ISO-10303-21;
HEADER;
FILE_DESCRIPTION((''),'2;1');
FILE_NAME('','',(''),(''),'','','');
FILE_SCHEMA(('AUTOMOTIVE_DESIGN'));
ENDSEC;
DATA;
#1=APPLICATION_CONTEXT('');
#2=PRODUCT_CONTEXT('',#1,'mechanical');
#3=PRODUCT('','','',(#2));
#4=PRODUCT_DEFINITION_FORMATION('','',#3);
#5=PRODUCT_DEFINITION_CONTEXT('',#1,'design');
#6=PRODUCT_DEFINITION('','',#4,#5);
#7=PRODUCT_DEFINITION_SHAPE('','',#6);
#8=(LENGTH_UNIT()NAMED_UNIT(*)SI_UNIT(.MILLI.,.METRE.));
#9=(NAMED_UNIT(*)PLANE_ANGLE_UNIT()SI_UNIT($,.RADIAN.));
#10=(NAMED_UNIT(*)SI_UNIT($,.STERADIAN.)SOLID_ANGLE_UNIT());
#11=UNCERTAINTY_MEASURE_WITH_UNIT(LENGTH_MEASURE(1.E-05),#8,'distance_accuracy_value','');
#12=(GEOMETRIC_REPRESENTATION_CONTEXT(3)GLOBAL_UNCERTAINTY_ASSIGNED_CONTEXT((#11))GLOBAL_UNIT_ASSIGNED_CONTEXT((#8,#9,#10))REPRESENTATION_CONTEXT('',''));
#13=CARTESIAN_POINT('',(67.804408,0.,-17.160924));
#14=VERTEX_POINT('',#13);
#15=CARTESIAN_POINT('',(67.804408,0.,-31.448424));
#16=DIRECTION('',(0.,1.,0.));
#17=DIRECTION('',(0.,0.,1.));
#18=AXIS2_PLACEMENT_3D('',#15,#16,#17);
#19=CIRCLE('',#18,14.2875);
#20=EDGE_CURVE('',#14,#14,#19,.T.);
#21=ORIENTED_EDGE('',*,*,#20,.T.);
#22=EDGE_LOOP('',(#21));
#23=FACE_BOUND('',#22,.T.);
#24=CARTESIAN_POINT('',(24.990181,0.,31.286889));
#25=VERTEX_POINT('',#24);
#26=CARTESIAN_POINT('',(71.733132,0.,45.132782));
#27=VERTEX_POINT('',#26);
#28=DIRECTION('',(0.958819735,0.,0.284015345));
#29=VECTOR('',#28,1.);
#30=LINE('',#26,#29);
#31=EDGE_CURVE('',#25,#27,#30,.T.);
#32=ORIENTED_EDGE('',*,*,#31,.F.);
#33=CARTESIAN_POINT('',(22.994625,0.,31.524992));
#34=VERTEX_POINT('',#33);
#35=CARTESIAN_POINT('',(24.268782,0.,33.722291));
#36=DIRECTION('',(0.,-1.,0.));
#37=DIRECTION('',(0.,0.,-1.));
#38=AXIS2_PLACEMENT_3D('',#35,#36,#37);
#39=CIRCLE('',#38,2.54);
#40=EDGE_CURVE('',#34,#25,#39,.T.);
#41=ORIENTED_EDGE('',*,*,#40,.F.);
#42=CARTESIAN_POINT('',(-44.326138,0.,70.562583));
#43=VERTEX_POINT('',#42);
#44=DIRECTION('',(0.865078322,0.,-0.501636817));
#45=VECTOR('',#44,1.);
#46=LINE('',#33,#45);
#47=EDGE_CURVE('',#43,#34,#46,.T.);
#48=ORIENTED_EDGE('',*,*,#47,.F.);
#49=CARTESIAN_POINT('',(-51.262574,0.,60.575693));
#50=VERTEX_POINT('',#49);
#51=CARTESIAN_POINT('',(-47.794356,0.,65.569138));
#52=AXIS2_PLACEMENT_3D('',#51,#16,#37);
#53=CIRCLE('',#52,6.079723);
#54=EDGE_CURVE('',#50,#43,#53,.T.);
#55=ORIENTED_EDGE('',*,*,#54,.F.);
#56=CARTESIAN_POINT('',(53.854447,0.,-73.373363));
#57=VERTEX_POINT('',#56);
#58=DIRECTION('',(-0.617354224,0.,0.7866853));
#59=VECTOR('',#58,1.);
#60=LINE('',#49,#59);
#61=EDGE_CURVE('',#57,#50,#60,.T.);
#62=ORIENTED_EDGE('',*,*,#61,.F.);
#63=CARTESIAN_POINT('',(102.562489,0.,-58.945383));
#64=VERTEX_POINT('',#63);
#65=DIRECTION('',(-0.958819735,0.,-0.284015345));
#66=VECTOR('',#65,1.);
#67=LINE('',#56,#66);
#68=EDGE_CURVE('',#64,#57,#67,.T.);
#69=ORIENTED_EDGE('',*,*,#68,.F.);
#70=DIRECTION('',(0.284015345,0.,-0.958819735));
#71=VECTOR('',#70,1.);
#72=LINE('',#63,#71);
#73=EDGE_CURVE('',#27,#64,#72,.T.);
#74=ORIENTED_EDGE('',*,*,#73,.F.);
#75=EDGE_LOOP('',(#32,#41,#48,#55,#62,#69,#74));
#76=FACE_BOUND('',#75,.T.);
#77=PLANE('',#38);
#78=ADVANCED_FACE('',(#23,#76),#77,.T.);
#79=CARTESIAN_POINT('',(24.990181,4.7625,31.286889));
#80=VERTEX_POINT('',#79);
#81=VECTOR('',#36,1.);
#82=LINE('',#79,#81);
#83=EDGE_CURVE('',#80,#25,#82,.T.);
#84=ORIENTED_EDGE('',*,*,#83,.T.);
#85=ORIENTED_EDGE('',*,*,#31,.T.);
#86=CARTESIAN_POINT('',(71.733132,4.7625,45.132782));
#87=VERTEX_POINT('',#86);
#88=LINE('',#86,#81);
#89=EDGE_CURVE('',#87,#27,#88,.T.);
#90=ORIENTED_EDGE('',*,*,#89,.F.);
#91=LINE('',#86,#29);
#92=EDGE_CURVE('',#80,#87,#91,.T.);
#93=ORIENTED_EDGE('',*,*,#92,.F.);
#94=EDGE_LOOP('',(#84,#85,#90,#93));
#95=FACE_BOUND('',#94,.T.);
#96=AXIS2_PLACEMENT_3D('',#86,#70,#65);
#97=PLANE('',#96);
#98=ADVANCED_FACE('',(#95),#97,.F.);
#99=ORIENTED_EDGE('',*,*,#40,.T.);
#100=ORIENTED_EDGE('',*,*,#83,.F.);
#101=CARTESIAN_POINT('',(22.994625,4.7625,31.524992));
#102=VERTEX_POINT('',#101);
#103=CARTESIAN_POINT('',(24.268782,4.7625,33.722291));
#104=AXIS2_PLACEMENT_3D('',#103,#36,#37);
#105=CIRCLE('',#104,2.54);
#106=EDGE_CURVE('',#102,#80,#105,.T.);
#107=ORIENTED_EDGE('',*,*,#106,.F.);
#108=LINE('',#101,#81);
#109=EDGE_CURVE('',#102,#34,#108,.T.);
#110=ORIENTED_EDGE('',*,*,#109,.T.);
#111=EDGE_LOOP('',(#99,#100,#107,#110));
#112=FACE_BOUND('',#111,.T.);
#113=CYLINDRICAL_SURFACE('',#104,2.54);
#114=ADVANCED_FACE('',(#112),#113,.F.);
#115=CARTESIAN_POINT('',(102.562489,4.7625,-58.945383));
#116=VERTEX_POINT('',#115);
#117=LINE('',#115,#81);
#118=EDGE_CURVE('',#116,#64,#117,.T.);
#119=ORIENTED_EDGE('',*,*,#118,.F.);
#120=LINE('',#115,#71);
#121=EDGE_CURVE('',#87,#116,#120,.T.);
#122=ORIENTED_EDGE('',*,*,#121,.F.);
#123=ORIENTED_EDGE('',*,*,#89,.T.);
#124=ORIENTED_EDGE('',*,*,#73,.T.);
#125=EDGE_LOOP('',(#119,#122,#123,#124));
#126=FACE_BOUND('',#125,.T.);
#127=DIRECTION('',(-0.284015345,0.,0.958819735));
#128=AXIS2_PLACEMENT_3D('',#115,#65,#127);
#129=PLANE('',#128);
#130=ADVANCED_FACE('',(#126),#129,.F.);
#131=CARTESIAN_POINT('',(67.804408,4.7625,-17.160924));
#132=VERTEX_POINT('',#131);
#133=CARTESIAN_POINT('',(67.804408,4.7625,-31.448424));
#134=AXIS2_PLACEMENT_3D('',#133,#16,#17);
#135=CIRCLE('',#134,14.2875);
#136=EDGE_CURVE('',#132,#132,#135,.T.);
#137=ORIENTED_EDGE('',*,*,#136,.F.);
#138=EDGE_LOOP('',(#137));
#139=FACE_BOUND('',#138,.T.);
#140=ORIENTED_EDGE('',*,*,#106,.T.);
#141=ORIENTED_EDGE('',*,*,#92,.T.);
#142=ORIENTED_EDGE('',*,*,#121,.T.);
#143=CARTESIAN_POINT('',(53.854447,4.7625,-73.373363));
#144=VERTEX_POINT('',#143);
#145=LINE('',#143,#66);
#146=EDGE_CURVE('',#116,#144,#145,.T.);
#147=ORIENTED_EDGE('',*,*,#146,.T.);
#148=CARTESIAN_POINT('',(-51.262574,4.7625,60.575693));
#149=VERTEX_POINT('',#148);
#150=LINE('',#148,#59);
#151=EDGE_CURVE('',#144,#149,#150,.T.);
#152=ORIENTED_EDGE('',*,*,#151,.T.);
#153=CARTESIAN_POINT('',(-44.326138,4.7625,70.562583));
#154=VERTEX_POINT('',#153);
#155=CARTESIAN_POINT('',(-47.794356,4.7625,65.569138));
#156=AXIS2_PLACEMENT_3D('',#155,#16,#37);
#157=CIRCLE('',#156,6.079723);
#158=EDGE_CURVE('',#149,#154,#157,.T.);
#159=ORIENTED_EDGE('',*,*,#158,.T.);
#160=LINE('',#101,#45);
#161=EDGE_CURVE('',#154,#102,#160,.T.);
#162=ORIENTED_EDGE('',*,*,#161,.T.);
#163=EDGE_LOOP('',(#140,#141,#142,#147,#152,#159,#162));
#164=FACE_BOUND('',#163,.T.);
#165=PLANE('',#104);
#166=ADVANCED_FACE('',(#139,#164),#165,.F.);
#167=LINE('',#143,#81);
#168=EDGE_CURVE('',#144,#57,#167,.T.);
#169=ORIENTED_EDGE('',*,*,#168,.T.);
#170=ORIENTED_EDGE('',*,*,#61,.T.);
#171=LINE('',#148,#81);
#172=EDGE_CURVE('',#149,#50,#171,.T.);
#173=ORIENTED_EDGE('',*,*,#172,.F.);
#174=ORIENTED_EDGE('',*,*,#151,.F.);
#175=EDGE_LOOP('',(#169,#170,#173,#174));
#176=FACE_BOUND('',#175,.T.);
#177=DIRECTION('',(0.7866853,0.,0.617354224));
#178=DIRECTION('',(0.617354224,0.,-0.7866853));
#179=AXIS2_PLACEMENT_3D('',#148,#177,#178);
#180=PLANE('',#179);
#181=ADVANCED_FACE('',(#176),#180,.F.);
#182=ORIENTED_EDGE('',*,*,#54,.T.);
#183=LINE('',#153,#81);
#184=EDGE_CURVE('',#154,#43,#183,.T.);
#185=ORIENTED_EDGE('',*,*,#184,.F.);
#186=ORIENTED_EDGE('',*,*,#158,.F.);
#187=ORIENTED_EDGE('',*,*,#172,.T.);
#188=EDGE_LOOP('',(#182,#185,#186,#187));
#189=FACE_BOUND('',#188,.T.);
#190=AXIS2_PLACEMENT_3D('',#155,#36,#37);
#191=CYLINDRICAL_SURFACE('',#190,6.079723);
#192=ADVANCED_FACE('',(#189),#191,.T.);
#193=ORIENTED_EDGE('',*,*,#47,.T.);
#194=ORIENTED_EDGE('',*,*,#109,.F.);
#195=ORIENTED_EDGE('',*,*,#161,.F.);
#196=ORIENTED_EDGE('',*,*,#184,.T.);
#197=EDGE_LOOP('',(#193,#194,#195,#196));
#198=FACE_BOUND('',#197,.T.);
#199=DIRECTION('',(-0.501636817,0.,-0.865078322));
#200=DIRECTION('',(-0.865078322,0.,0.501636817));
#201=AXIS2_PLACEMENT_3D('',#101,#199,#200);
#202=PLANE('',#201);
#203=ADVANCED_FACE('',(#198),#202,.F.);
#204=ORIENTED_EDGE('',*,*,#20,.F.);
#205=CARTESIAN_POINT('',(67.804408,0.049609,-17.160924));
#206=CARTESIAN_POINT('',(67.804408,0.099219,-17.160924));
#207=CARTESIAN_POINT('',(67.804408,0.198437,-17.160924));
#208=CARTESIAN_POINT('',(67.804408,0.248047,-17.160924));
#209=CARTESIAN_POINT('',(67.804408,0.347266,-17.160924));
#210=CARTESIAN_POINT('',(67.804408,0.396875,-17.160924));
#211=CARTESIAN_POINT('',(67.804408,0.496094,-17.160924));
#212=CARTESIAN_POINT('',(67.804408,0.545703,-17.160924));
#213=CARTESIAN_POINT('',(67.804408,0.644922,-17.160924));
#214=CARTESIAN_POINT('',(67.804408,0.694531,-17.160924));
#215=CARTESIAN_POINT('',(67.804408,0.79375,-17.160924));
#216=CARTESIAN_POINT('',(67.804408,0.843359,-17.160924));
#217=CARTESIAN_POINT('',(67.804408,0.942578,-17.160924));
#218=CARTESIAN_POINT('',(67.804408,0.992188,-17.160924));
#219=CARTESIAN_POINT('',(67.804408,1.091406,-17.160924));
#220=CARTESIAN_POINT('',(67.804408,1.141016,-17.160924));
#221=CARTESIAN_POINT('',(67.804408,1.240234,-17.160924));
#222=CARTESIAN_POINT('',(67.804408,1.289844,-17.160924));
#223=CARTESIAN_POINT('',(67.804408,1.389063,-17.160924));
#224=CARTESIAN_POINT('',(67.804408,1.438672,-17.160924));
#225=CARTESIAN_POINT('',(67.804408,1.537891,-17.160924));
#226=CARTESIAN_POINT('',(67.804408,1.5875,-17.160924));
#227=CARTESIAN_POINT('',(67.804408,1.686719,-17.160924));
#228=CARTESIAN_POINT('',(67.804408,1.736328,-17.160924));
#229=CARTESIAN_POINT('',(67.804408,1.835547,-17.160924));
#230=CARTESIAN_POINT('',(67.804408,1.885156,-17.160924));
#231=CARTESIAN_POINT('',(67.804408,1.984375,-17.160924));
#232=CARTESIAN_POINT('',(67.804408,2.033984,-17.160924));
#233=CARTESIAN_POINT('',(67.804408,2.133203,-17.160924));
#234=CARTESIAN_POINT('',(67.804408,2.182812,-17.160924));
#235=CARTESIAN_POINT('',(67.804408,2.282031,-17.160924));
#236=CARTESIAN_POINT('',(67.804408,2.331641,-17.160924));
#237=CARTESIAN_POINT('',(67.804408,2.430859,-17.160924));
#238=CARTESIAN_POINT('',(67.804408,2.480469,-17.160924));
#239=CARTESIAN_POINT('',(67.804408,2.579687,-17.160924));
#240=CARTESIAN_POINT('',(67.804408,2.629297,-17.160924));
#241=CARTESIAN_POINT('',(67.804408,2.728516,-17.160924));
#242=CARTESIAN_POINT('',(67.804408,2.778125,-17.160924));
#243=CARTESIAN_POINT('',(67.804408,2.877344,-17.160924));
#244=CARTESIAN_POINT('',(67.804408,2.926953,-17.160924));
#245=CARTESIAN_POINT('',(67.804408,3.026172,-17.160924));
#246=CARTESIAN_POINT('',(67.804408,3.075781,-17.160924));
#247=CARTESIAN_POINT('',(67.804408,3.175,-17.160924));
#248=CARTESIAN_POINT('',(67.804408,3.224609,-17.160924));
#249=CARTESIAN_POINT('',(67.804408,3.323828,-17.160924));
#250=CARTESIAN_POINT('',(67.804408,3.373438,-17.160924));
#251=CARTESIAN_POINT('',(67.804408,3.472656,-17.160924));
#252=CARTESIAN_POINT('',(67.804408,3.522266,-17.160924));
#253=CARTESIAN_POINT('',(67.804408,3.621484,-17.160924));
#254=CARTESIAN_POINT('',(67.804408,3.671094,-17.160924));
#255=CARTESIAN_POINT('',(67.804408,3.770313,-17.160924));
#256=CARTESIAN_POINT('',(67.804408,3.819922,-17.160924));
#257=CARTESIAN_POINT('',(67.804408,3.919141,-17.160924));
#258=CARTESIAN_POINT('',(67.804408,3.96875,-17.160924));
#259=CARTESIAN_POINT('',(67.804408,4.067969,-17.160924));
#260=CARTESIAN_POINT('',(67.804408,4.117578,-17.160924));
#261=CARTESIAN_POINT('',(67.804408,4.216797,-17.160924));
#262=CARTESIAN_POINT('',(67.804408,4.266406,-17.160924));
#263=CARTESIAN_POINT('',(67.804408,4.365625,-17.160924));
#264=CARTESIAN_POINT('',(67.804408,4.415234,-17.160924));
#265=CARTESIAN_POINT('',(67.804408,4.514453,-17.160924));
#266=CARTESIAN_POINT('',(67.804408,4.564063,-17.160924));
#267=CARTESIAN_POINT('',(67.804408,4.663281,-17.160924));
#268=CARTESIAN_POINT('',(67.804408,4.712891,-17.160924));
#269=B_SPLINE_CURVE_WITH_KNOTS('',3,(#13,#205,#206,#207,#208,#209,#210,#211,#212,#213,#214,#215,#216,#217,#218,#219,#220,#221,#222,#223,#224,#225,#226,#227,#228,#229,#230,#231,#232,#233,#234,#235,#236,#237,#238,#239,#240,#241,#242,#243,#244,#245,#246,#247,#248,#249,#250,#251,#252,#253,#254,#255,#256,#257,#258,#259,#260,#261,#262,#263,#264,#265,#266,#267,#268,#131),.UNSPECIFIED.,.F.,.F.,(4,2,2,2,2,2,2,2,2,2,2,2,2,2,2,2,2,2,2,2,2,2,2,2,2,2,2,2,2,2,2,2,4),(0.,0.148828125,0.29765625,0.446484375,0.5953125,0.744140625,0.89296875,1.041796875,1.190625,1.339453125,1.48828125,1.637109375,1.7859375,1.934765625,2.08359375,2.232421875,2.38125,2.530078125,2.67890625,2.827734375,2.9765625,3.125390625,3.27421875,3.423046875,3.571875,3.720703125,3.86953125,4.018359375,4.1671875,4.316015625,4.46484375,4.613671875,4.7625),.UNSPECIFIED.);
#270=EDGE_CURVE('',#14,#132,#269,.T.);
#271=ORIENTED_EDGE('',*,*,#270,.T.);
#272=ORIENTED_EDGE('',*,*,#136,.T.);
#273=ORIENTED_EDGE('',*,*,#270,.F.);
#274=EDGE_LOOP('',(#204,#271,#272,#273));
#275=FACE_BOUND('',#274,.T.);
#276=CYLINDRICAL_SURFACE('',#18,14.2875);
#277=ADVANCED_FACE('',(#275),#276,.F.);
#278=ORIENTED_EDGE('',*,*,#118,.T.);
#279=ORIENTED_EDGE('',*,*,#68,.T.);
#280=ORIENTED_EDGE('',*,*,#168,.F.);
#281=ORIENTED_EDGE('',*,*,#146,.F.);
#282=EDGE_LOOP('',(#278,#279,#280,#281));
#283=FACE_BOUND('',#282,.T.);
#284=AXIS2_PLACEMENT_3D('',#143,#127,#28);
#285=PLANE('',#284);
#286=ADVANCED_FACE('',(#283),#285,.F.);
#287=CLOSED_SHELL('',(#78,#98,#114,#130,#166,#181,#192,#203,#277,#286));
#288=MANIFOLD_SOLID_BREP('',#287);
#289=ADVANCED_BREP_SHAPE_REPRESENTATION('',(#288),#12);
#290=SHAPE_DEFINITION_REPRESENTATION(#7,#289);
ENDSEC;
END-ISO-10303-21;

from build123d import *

# Parameters (mm, degrees)
BOSS_EXTRUDE1_DEPTH = 4.7625
SKETCH2_R           = 14.2875
CUT_EXTRUDE1_DEPTH  = 127.195863524


with BuildPart() as part:
    # Sketch1 → Boss-Extrude1 (new body)
    with BuildSketch(Plane(origin=(0, 0, 0), x_dir=(1, 0, 0), z_dir=(0, 1, 0))):
        with BuildLine():
            Line((53.854446853, 73.373362576), (102.562489384, 58.945383065))
            Line((102.562489384, 58.945383065), (71.73313232, -45.132782137))
            Line((71.73313232, -45.132782137), (24.990181224, -31.286889228))
            ThreePointArc((24.990181224, -31.286889228), (23.967852385, -31.200180886), (22.994624733, -31.524992416))
            Line((22.994624733, -31.524992416), (-44.326137807, -70.562582621))
            ThreePointArc((-44.326137807, -70.562582621), (-52.787800823, -69.037356261), (-51.262574464, -60.575693244))
            Line((-51.262574464, -60.575693244), (53.854446853, 73.373362576))
        make_face()
    extrude(amount=BOSS_EXTRUDE1_DEPTH)

    # Sketch2 → Cut-Extrude1 (cut, through all)
    with BuildSketch(Plane(origin=(0, 4.7625, 0), x_dir=(1, 0, 0), z_dir=(0, 1, 0))):
        with Locations(Location((67.804408175, 31.44842364, 0), (0, 0, 270))):
            Circle(SKETCH2_R)
    extrude(amount=-CUT_EXTRUDE1_DEPTH, mode=Mode.SUBTRACT)


solid = part.part
